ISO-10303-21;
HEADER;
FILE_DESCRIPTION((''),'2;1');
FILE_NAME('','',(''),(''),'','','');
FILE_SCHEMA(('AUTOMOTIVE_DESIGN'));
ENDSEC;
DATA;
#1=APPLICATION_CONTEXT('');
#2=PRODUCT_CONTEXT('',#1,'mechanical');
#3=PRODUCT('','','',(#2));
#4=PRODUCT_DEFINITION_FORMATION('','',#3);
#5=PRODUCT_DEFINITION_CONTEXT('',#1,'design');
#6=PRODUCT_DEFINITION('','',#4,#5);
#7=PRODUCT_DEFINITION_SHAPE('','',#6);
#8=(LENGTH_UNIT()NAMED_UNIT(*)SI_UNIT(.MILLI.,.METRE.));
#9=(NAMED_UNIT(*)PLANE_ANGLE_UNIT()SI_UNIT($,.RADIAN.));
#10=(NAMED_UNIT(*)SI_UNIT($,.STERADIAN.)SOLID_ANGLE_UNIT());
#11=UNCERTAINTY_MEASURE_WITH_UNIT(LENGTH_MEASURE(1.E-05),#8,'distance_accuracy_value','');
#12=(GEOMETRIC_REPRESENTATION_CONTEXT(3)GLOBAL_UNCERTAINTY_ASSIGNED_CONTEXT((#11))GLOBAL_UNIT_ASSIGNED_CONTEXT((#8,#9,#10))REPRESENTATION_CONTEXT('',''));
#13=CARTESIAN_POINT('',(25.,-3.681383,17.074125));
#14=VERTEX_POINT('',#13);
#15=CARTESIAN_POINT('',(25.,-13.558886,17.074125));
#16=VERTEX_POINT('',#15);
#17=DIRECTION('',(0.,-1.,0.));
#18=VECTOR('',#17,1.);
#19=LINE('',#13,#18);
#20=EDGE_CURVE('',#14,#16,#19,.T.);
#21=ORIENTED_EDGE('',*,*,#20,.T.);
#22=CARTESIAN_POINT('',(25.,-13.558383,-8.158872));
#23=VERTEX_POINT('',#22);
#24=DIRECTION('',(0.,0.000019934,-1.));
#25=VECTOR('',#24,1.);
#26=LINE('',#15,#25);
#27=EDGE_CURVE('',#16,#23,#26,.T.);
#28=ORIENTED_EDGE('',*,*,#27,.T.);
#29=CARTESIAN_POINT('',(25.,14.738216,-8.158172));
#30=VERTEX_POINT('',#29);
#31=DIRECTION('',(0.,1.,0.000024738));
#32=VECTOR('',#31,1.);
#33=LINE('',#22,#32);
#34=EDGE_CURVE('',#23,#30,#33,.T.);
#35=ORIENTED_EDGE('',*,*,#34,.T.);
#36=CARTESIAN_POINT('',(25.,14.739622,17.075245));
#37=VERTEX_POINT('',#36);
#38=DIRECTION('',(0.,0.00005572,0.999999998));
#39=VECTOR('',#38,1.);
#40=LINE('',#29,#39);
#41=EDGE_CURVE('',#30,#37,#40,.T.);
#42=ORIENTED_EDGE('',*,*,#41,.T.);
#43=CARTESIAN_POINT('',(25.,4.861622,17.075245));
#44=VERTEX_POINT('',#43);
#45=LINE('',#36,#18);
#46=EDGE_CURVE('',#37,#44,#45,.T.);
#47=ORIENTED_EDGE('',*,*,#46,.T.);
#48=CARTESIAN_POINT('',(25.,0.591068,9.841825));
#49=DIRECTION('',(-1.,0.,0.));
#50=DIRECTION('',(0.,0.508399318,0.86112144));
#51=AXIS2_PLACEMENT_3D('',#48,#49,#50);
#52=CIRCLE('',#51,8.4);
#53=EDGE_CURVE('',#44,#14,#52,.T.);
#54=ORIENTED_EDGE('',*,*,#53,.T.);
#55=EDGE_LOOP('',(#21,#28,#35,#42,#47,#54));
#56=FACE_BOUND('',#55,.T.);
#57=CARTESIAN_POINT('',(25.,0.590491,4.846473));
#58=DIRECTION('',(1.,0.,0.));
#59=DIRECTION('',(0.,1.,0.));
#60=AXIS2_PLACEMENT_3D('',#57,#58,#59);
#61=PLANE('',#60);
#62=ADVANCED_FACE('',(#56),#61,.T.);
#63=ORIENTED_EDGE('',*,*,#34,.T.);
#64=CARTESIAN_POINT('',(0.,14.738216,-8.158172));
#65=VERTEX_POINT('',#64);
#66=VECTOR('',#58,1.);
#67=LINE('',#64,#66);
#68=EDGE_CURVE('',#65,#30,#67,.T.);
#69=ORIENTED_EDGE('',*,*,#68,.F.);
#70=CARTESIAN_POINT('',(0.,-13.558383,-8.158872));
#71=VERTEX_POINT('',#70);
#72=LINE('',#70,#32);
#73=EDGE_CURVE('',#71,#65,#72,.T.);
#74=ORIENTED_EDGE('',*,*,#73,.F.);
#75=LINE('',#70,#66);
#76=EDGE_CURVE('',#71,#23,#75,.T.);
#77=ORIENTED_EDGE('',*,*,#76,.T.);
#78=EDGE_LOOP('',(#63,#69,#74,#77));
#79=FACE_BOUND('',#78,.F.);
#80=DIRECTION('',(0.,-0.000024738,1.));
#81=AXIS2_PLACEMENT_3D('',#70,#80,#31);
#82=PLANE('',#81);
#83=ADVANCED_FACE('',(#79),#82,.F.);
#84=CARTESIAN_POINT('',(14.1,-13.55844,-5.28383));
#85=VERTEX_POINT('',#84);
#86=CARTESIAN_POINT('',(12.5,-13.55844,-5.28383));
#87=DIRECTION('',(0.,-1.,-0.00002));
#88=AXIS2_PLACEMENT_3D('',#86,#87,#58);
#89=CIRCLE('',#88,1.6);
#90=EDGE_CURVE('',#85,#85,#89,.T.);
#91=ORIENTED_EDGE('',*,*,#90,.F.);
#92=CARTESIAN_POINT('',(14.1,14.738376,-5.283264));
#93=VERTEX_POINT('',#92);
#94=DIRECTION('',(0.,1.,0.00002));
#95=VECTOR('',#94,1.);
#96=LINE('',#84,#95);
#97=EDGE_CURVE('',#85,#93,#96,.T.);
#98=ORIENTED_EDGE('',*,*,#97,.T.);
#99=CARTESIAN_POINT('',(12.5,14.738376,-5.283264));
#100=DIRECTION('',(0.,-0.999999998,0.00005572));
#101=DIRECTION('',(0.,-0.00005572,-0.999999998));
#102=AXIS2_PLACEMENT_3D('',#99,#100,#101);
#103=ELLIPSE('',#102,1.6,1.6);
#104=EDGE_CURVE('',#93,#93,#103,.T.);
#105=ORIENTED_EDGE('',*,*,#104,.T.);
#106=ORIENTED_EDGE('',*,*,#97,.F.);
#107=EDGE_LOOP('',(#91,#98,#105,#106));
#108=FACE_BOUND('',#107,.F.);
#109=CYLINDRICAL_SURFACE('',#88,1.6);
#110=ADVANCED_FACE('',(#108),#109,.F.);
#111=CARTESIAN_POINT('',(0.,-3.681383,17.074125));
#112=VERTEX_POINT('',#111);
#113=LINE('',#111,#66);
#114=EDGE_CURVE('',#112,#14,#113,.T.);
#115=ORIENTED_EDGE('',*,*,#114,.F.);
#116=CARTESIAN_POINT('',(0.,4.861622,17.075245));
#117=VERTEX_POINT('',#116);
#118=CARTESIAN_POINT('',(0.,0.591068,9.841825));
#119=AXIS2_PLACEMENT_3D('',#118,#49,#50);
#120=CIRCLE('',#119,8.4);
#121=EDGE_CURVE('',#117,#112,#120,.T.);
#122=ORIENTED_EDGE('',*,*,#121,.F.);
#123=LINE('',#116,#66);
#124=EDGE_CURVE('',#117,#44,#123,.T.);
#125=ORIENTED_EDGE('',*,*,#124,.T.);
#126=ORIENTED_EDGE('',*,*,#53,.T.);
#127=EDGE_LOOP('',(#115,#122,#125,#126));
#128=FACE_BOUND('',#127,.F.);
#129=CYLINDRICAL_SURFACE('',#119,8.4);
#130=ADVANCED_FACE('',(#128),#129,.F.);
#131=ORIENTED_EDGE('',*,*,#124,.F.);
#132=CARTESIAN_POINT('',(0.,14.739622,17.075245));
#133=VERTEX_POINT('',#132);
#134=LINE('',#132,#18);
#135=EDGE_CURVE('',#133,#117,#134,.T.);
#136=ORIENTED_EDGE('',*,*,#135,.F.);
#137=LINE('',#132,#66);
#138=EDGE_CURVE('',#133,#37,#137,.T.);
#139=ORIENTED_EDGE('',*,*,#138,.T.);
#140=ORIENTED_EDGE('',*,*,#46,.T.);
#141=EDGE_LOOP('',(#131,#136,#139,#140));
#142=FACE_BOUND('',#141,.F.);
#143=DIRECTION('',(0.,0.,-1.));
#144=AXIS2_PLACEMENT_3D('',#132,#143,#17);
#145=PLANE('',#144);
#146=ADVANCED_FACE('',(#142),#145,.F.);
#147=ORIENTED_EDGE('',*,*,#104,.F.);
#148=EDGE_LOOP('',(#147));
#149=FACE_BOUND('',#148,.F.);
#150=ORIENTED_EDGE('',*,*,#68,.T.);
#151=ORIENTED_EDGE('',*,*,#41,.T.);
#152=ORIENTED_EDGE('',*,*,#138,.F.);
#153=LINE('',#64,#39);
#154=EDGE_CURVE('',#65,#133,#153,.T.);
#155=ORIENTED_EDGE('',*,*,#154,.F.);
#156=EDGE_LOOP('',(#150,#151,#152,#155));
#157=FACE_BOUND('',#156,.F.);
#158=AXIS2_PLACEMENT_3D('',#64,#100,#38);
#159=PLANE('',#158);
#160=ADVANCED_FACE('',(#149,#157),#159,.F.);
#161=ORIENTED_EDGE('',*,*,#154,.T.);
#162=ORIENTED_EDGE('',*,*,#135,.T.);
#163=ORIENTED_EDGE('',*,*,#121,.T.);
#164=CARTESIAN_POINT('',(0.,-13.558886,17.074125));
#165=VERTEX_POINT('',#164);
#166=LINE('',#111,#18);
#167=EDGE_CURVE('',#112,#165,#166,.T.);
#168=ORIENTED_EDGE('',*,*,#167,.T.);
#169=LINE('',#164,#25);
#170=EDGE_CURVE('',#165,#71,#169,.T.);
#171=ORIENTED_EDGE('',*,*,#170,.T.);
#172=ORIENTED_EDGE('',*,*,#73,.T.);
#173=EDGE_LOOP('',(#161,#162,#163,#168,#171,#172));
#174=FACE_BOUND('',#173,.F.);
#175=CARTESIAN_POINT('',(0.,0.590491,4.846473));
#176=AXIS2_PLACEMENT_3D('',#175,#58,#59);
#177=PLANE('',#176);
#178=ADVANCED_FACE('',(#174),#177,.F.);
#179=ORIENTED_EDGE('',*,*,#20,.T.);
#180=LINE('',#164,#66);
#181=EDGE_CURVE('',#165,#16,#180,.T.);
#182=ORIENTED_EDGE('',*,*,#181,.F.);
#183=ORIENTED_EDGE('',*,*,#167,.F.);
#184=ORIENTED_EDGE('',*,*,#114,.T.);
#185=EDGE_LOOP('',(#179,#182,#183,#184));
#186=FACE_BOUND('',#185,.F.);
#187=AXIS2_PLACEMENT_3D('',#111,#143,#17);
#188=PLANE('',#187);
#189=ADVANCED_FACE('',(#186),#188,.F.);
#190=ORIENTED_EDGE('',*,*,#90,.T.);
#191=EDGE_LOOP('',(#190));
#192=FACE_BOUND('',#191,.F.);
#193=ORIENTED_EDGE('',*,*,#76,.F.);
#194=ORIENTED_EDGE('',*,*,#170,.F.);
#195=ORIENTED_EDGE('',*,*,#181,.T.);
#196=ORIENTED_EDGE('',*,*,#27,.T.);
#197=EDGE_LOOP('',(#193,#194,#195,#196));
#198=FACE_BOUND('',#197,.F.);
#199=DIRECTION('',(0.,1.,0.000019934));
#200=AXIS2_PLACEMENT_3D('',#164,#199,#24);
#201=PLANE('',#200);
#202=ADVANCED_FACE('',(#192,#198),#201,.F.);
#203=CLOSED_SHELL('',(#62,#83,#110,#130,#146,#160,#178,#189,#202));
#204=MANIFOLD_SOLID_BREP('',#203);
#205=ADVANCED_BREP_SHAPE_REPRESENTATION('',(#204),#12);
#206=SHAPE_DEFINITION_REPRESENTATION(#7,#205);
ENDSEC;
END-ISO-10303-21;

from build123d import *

# Parameters (mm, degrees)
F1_DEPTH = 25
F2_R     = 1.6
F3_DEPTH = 32


with BuildPart() as f1:
    # F0 (on Right) → F1 (new body)
    with BuildSketch(Plane.YZ):
        with BuildLine():
            ThreePointArc((4.861622, 17.075245), (0.592168, 1.441825), (-3.681383, 17.074125))
            Line((-3.681383, 17.074125), (-13.558886, 17.074125))
            Line((-13.558886, 17.074125), (-13.558383, -8.158872))
            Line((-13.558383, -8.158872), (14.738216, -8.158172))
            Line((14.738216, -8.158172), (14.739622, 17.075245))
            Line((14.739622, 17.075245), (4.861622, 17.075245))
        make_face()
    extrude(amount=F1_DEPTH)

    # F2 (on face) → F3 (cut)
    with BuildSketch(Plane(origin=(0, -13.558546, -0.00027), x_dir=(1, 0, 0), z_dir=(0, -1, -2e-05))):
        with Locations((12.5, -5.28356)):
            Circle(F2_R)
    extrude(amount=-F3_DEPTH, mode=Mode.SUBTRACT)


solid = f1.part
